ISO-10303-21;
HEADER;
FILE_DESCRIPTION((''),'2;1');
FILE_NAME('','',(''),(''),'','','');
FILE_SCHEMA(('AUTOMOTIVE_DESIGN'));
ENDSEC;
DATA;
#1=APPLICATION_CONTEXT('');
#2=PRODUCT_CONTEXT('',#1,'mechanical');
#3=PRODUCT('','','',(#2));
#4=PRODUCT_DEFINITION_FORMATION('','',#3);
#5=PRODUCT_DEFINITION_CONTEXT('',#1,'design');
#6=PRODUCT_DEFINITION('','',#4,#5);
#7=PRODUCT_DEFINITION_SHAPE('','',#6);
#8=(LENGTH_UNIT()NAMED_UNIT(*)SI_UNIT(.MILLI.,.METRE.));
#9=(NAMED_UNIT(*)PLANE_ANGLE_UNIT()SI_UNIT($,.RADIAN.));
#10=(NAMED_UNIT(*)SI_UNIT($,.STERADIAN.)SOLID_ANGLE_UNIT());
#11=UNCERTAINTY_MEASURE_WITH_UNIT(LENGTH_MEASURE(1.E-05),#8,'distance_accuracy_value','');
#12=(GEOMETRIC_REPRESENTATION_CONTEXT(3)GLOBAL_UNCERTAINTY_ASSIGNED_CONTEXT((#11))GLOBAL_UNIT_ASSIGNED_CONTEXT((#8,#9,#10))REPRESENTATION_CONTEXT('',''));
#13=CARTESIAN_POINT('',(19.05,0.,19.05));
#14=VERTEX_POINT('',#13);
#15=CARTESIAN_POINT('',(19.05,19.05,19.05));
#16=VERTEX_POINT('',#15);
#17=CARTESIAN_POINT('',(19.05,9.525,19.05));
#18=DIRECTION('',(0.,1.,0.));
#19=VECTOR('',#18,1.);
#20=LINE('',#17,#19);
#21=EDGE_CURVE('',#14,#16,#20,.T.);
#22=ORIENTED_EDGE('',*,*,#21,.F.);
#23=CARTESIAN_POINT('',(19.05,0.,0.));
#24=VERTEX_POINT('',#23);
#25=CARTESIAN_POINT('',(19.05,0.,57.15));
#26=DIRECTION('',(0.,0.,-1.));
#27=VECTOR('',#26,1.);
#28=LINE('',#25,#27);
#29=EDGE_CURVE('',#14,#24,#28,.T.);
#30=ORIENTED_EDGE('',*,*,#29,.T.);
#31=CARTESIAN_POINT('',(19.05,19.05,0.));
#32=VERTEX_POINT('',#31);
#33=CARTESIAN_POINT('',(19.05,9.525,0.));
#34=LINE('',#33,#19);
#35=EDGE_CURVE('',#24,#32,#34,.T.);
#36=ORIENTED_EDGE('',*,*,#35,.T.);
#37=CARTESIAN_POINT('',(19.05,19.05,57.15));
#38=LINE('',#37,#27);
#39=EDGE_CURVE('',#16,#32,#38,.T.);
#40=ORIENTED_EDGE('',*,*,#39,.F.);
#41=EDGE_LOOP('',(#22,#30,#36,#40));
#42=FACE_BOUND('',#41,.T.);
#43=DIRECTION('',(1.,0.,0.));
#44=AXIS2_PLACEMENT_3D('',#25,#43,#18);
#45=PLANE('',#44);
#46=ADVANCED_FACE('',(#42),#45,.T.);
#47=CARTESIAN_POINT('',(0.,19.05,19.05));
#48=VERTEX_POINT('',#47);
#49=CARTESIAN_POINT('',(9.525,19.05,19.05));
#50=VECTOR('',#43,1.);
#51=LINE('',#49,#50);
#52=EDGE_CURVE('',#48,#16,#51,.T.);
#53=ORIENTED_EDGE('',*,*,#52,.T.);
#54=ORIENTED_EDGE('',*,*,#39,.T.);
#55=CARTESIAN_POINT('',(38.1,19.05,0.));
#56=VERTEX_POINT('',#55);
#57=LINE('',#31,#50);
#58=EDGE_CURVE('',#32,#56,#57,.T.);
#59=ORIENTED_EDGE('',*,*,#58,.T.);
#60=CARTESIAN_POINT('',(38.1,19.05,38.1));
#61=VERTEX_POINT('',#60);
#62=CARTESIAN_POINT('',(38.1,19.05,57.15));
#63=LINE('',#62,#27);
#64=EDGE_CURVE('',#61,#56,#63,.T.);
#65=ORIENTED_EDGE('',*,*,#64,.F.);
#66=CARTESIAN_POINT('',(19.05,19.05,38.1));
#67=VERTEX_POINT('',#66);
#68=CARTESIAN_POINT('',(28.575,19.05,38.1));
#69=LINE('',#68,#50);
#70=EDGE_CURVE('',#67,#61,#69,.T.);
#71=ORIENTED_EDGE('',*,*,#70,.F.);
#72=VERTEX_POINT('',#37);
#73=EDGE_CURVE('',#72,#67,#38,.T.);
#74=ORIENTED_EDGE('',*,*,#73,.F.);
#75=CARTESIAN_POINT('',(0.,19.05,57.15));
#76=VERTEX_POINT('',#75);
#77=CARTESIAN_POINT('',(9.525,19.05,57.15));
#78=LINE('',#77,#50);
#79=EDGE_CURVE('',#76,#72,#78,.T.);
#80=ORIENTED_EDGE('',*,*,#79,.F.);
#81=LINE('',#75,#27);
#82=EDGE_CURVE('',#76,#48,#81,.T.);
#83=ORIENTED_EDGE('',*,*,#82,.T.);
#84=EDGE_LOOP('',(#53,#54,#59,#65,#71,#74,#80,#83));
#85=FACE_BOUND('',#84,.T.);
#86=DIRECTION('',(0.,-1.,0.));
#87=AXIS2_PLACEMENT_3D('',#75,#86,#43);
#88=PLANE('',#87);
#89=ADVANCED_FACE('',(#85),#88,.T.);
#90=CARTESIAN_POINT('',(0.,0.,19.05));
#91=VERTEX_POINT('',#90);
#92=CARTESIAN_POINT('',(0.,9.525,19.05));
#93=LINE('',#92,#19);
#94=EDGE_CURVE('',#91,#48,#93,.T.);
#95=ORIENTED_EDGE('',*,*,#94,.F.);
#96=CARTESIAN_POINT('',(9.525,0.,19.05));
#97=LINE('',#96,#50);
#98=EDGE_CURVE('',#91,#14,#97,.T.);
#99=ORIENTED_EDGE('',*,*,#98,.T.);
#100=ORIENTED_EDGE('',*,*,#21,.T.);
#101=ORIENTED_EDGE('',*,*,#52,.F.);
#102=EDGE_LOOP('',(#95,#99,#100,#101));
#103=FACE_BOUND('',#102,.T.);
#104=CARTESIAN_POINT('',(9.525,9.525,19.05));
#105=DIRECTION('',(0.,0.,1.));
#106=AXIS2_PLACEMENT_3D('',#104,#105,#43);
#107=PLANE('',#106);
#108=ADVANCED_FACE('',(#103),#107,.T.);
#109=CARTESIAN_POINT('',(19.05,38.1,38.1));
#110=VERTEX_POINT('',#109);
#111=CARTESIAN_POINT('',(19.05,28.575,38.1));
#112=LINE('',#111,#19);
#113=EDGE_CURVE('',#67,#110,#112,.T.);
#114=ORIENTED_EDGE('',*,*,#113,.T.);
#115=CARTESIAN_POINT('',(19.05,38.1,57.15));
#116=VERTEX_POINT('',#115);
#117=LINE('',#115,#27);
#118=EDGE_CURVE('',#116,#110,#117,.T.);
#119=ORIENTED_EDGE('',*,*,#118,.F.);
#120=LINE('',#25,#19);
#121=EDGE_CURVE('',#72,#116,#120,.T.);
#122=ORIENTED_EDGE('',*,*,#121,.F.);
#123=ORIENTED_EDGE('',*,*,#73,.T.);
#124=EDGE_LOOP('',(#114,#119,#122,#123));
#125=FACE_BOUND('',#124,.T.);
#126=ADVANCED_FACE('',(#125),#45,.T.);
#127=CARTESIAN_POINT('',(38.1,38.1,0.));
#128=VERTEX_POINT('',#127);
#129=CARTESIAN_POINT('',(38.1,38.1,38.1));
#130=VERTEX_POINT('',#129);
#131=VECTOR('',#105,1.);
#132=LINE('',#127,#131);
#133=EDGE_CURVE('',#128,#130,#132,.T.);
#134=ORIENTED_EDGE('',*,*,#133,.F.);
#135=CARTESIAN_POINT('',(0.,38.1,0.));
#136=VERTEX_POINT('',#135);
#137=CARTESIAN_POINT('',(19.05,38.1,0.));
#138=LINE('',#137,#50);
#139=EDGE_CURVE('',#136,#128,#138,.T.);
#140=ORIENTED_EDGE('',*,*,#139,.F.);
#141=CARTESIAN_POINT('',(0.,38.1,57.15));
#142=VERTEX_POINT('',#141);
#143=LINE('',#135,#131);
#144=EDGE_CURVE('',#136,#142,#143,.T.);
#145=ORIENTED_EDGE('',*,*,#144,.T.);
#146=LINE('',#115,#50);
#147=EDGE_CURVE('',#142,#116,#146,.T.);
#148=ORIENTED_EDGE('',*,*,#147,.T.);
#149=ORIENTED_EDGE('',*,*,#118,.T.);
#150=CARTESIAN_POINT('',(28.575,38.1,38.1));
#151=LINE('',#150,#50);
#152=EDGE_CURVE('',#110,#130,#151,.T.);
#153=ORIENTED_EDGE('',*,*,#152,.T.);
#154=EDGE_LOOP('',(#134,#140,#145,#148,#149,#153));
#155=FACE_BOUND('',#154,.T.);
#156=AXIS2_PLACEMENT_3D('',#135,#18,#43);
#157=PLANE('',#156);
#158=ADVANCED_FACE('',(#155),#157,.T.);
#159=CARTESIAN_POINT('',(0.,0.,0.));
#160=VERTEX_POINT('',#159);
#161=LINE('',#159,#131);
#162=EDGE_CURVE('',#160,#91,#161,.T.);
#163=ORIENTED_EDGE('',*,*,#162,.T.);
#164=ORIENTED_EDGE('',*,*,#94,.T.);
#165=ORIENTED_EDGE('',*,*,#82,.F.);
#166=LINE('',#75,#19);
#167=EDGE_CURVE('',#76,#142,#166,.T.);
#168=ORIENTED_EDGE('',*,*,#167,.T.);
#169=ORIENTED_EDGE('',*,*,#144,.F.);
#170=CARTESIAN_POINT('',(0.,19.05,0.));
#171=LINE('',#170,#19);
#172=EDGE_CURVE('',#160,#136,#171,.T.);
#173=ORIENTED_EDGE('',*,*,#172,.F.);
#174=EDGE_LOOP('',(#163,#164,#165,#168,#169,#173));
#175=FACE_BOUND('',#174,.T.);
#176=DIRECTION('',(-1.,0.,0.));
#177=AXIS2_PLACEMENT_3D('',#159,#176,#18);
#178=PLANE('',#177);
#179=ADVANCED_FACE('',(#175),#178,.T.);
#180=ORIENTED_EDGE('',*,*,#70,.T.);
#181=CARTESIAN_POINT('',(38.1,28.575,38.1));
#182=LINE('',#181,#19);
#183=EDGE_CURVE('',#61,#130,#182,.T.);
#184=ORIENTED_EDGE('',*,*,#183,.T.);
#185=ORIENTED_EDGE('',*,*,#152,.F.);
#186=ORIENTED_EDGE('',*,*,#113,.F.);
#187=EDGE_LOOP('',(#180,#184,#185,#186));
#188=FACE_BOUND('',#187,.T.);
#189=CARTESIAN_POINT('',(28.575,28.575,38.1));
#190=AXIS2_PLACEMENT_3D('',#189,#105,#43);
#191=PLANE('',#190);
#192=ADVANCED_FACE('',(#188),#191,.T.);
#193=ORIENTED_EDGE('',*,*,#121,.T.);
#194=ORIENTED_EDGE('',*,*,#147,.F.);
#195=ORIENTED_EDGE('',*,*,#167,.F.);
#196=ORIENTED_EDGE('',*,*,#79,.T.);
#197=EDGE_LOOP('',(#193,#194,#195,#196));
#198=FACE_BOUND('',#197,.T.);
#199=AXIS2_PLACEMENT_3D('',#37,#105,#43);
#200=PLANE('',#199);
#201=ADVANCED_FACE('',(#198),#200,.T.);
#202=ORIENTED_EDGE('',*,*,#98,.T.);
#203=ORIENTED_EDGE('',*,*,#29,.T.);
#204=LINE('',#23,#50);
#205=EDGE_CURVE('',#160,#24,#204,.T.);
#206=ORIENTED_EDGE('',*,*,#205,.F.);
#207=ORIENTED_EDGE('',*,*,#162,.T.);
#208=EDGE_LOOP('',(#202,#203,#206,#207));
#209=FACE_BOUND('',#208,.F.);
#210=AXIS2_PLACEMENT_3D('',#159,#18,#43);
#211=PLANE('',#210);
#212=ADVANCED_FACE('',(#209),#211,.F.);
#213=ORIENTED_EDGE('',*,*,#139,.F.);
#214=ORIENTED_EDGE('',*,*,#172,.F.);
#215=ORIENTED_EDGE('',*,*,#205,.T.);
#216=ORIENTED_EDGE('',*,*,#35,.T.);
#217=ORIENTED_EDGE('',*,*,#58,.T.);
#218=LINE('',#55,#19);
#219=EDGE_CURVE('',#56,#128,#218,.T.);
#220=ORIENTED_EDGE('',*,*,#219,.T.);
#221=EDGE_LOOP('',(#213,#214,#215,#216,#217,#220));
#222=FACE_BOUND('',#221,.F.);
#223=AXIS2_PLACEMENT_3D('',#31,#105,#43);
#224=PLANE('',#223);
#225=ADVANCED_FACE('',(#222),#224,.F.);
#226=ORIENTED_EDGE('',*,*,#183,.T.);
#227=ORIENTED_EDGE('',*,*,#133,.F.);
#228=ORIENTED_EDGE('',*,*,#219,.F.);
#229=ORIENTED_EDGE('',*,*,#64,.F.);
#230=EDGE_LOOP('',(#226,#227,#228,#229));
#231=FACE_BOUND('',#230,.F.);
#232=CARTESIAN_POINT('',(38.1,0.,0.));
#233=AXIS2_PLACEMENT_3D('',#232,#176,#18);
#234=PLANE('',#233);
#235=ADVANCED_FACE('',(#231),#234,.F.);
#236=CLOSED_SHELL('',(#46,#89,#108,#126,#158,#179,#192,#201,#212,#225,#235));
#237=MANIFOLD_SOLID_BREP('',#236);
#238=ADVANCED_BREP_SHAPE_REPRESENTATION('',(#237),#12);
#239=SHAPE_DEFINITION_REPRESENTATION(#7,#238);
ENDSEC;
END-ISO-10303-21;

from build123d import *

# Parameters (mm, degrees)
F0_W     = 38.1
F0_H     = 38.1
F1_DEPTH = 57.15
F2_W     = 19.05
F2_H     = 19.05
F3_DEPTH = 57.151
F4_W     = 19.05
F4_H     = 19.05
F5_DEPTH = 19.05
F6_W     = 19.05
F6_H     = 19.05
F7_DEPTH = 38.1


with BuildPart() as f1:
    # F0 (on Top) → F1 (new body)
    with BuildSketch(Plane.XY):
        with Locations((19.05, 19.05)):
            Rectangle(F0_W, F0_H)
    extrude(amount=F1_DEPTH)

    # F2 (on face) → F3 (cut, through all)
    with BuildSketch(Plane.XY.offset(57.15)):
        with Locations((28.575, 9.525)):
            Rectangle(F2_W, F2_H)
    extrude(amount=-F3_DEPTH, mode=Mode.SUBTRACT)

    # F4 (on face) → F5 (cut)
    with BuildSketch(Plane.XY.offset(57.15)):
        with Locations((28.575, 28.575)):
            Rectangle(F4_W, F4_H)
    extrude(amount=-F5_DEPTH, mode=Mode.SUBTRACT)

    # F6 (on face) → F7 (cut)
    with BuildSketch(Plane.XY.offset(57.15)):
        with Locations((9.525, 9.525)):
            Rectangle(F6_W, F6_H)
    extrude(amount=-F7_DEPTH, mode=Mode.SUBTRACT)


solid = f1.part
